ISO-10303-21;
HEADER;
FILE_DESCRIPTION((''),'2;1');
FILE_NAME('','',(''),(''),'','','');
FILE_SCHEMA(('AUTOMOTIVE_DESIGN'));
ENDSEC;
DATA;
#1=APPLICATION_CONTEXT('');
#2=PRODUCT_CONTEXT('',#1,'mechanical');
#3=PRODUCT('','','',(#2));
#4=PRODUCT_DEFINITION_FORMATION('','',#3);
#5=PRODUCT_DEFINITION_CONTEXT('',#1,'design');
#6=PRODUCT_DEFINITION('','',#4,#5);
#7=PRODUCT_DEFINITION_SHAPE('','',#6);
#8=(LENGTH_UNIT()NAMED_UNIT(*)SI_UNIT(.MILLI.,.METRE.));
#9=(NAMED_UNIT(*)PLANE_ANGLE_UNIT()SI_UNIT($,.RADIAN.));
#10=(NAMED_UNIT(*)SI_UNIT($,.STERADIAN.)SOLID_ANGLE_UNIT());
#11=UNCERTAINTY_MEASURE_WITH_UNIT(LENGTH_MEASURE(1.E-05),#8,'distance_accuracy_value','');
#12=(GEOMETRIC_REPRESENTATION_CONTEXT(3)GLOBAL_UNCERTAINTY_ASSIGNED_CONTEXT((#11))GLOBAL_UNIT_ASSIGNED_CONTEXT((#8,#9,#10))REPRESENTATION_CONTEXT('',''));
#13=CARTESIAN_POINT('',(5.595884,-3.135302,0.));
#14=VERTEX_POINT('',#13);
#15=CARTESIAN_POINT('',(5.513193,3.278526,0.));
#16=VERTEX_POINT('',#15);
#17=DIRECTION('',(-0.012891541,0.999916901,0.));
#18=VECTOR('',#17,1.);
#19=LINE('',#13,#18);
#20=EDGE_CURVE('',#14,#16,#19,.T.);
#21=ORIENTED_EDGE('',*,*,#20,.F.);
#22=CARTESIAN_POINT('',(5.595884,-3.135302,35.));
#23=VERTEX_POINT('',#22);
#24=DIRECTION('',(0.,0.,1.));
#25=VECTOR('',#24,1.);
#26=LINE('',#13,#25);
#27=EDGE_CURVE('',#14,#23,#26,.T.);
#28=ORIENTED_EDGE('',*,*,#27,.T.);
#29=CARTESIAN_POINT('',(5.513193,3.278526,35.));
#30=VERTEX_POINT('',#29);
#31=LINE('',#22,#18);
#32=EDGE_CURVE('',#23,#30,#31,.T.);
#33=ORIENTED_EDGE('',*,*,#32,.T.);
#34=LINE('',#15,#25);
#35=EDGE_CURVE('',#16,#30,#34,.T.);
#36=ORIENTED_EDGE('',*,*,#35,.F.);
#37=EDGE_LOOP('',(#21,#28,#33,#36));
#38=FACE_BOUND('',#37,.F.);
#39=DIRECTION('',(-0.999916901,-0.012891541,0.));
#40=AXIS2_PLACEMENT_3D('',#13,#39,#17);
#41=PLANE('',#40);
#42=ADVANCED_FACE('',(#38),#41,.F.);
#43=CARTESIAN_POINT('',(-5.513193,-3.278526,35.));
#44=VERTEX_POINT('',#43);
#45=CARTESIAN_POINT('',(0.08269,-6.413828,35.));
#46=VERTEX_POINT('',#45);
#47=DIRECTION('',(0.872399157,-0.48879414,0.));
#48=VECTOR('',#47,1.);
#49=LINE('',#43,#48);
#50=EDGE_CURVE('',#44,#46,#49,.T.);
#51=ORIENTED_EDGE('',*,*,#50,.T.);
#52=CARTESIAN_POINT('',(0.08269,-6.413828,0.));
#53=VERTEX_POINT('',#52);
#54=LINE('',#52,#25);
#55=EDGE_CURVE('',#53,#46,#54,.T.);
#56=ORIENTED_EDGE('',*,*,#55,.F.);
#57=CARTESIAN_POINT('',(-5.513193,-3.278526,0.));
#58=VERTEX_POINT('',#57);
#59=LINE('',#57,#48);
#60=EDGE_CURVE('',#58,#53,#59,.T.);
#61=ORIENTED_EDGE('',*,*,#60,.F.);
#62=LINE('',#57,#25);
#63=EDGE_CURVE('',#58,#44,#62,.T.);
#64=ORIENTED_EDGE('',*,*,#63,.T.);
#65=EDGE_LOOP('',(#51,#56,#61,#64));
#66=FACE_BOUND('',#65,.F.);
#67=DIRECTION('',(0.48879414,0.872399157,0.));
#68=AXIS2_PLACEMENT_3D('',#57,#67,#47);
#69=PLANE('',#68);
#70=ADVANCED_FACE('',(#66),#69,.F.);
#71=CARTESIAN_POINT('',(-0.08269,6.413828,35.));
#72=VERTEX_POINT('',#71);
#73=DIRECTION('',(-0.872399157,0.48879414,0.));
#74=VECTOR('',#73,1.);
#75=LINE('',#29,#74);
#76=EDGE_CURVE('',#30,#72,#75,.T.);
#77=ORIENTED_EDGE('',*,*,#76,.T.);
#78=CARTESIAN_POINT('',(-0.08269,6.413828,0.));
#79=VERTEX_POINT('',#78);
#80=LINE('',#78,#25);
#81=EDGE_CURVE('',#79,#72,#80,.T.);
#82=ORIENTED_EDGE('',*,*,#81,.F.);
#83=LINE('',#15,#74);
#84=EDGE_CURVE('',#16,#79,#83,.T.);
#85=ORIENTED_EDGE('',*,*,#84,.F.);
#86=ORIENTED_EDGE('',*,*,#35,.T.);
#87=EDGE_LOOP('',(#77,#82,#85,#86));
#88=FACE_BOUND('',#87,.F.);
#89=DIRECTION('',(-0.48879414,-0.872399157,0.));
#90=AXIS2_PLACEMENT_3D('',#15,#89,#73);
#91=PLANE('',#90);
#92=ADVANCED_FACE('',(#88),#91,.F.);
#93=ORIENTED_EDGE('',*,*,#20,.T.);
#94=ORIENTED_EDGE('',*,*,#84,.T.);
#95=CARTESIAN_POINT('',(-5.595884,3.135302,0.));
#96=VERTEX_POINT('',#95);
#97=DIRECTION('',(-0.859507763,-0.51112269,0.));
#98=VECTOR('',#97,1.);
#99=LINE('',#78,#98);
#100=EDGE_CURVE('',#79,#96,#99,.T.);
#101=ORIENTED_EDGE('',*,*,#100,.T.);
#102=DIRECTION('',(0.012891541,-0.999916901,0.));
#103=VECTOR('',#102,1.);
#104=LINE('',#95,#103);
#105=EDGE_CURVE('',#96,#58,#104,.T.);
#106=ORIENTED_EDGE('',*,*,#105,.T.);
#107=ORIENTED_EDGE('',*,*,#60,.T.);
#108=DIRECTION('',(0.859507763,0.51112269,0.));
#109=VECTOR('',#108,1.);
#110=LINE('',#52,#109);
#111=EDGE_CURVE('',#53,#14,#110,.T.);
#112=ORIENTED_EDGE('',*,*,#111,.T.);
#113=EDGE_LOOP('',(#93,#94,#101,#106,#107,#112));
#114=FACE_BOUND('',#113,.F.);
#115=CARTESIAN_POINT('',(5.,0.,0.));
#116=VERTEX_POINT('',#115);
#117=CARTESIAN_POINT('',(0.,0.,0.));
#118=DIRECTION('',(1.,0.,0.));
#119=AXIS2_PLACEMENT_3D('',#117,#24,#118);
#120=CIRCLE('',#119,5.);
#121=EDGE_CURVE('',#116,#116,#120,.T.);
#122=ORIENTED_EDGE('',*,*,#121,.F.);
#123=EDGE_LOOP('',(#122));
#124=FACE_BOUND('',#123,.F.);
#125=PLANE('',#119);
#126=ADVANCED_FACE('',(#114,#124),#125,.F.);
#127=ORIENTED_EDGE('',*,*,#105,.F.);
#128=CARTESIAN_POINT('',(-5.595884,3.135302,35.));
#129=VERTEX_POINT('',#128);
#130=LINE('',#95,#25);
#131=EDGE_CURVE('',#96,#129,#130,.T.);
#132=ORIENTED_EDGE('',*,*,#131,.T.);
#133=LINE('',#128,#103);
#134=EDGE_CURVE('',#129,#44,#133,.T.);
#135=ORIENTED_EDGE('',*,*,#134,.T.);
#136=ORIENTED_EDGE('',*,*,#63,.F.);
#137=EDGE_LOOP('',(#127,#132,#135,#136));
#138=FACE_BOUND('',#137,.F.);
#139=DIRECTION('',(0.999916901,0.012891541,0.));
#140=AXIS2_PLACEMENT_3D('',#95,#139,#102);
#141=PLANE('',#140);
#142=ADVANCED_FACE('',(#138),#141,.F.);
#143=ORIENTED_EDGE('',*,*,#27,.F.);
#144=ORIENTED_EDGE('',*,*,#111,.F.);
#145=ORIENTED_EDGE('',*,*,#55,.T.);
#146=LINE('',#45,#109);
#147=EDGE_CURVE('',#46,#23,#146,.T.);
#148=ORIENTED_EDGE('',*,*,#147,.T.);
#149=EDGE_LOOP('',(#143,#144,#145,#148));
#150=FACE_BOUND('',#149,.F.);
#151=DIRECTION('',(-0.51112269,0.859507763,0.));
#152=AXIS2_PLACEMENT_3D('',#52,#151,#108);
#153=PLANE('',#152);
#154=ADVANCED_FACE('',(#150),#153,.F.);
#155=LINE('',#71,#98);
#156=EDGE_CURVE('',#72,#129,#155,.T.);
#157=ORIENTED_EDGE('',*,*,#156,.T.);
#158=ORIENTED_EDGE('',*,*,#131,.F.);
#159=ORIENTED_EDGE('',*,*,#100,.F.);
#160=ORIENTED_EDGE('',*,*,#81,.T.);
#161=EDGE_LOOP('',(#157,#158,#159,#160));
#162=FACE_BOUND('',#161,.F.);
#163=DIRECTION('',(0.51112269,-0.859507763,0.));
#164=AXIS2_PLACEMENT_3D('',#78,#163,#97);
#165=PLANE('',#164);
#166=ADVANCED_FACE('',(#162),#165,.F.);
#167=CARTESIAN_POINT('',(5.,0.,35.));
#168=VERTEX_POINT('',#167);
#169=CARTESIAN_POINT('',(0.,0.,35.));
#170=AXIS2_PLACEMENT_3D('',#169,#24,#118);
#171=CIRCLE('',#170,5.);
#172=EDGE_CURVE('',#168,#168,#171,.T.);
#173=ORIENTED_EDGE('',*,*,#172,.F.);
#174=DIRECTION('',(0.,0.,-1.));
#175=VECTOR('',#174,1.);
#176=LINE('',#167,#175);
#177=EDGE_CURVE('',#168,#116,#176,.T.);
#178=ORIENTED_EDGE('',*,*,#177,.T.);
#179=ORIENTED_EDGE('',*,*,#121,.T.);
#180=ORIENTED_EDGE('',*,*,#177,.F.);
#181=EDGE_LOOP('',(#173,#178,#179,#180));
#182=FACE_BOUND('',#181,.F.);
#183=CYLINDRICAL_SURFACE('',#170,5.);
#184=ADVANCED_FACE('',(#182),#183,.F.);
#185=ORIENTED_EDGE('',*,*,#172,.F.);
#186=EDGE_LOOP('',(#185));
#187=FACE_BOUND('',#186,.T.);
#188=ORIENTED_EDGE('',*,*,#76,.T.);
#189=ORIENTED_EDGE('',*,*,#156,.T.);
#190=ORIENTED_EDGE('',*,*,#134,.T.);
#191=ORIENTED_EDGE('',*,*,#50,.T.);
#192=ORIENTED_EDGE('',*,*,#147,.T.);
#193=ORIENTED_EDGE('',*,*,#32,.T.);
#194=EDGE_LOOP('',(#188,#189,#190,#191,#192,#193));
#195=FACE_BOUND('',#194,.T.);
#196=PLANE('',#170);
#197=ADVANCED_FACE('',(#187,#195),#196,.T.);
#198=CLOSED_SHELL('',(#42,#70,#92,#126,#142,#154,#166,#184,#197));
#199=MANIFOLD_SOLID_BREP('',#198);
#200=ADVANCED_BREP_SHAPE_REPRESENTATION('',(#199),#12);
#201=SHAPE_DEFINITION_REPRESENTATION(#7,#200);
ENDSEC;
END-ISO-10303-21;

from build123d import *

# Parameters (mm, degrees)
F1_DEPTH = 35
F2_R     = 5
F3_DEPTH = 52.1


with BuildPart() as f1:
    # F0 (on Top) → F1 (new body)
    with BuildSketch(Plane.XY):
        Polygon((5.513193, 3.278526), (-0.08269, 6.413828), (-5.595884, 3.135302), (-5.513193, -3.278526), (0.08269, -6.413828), (5.595884, -3.135302), align=None)
    extrude(amount=F1_DEPTH)

    # F2 (on face) → F3 (cut)
    with BuildSketch(Plane.XY.offset(35)):
        Circle(F2_R)
    extrude(amount=-F3_DEPTH, mode=Mode.SUBTRACT)


solid = f1.part
